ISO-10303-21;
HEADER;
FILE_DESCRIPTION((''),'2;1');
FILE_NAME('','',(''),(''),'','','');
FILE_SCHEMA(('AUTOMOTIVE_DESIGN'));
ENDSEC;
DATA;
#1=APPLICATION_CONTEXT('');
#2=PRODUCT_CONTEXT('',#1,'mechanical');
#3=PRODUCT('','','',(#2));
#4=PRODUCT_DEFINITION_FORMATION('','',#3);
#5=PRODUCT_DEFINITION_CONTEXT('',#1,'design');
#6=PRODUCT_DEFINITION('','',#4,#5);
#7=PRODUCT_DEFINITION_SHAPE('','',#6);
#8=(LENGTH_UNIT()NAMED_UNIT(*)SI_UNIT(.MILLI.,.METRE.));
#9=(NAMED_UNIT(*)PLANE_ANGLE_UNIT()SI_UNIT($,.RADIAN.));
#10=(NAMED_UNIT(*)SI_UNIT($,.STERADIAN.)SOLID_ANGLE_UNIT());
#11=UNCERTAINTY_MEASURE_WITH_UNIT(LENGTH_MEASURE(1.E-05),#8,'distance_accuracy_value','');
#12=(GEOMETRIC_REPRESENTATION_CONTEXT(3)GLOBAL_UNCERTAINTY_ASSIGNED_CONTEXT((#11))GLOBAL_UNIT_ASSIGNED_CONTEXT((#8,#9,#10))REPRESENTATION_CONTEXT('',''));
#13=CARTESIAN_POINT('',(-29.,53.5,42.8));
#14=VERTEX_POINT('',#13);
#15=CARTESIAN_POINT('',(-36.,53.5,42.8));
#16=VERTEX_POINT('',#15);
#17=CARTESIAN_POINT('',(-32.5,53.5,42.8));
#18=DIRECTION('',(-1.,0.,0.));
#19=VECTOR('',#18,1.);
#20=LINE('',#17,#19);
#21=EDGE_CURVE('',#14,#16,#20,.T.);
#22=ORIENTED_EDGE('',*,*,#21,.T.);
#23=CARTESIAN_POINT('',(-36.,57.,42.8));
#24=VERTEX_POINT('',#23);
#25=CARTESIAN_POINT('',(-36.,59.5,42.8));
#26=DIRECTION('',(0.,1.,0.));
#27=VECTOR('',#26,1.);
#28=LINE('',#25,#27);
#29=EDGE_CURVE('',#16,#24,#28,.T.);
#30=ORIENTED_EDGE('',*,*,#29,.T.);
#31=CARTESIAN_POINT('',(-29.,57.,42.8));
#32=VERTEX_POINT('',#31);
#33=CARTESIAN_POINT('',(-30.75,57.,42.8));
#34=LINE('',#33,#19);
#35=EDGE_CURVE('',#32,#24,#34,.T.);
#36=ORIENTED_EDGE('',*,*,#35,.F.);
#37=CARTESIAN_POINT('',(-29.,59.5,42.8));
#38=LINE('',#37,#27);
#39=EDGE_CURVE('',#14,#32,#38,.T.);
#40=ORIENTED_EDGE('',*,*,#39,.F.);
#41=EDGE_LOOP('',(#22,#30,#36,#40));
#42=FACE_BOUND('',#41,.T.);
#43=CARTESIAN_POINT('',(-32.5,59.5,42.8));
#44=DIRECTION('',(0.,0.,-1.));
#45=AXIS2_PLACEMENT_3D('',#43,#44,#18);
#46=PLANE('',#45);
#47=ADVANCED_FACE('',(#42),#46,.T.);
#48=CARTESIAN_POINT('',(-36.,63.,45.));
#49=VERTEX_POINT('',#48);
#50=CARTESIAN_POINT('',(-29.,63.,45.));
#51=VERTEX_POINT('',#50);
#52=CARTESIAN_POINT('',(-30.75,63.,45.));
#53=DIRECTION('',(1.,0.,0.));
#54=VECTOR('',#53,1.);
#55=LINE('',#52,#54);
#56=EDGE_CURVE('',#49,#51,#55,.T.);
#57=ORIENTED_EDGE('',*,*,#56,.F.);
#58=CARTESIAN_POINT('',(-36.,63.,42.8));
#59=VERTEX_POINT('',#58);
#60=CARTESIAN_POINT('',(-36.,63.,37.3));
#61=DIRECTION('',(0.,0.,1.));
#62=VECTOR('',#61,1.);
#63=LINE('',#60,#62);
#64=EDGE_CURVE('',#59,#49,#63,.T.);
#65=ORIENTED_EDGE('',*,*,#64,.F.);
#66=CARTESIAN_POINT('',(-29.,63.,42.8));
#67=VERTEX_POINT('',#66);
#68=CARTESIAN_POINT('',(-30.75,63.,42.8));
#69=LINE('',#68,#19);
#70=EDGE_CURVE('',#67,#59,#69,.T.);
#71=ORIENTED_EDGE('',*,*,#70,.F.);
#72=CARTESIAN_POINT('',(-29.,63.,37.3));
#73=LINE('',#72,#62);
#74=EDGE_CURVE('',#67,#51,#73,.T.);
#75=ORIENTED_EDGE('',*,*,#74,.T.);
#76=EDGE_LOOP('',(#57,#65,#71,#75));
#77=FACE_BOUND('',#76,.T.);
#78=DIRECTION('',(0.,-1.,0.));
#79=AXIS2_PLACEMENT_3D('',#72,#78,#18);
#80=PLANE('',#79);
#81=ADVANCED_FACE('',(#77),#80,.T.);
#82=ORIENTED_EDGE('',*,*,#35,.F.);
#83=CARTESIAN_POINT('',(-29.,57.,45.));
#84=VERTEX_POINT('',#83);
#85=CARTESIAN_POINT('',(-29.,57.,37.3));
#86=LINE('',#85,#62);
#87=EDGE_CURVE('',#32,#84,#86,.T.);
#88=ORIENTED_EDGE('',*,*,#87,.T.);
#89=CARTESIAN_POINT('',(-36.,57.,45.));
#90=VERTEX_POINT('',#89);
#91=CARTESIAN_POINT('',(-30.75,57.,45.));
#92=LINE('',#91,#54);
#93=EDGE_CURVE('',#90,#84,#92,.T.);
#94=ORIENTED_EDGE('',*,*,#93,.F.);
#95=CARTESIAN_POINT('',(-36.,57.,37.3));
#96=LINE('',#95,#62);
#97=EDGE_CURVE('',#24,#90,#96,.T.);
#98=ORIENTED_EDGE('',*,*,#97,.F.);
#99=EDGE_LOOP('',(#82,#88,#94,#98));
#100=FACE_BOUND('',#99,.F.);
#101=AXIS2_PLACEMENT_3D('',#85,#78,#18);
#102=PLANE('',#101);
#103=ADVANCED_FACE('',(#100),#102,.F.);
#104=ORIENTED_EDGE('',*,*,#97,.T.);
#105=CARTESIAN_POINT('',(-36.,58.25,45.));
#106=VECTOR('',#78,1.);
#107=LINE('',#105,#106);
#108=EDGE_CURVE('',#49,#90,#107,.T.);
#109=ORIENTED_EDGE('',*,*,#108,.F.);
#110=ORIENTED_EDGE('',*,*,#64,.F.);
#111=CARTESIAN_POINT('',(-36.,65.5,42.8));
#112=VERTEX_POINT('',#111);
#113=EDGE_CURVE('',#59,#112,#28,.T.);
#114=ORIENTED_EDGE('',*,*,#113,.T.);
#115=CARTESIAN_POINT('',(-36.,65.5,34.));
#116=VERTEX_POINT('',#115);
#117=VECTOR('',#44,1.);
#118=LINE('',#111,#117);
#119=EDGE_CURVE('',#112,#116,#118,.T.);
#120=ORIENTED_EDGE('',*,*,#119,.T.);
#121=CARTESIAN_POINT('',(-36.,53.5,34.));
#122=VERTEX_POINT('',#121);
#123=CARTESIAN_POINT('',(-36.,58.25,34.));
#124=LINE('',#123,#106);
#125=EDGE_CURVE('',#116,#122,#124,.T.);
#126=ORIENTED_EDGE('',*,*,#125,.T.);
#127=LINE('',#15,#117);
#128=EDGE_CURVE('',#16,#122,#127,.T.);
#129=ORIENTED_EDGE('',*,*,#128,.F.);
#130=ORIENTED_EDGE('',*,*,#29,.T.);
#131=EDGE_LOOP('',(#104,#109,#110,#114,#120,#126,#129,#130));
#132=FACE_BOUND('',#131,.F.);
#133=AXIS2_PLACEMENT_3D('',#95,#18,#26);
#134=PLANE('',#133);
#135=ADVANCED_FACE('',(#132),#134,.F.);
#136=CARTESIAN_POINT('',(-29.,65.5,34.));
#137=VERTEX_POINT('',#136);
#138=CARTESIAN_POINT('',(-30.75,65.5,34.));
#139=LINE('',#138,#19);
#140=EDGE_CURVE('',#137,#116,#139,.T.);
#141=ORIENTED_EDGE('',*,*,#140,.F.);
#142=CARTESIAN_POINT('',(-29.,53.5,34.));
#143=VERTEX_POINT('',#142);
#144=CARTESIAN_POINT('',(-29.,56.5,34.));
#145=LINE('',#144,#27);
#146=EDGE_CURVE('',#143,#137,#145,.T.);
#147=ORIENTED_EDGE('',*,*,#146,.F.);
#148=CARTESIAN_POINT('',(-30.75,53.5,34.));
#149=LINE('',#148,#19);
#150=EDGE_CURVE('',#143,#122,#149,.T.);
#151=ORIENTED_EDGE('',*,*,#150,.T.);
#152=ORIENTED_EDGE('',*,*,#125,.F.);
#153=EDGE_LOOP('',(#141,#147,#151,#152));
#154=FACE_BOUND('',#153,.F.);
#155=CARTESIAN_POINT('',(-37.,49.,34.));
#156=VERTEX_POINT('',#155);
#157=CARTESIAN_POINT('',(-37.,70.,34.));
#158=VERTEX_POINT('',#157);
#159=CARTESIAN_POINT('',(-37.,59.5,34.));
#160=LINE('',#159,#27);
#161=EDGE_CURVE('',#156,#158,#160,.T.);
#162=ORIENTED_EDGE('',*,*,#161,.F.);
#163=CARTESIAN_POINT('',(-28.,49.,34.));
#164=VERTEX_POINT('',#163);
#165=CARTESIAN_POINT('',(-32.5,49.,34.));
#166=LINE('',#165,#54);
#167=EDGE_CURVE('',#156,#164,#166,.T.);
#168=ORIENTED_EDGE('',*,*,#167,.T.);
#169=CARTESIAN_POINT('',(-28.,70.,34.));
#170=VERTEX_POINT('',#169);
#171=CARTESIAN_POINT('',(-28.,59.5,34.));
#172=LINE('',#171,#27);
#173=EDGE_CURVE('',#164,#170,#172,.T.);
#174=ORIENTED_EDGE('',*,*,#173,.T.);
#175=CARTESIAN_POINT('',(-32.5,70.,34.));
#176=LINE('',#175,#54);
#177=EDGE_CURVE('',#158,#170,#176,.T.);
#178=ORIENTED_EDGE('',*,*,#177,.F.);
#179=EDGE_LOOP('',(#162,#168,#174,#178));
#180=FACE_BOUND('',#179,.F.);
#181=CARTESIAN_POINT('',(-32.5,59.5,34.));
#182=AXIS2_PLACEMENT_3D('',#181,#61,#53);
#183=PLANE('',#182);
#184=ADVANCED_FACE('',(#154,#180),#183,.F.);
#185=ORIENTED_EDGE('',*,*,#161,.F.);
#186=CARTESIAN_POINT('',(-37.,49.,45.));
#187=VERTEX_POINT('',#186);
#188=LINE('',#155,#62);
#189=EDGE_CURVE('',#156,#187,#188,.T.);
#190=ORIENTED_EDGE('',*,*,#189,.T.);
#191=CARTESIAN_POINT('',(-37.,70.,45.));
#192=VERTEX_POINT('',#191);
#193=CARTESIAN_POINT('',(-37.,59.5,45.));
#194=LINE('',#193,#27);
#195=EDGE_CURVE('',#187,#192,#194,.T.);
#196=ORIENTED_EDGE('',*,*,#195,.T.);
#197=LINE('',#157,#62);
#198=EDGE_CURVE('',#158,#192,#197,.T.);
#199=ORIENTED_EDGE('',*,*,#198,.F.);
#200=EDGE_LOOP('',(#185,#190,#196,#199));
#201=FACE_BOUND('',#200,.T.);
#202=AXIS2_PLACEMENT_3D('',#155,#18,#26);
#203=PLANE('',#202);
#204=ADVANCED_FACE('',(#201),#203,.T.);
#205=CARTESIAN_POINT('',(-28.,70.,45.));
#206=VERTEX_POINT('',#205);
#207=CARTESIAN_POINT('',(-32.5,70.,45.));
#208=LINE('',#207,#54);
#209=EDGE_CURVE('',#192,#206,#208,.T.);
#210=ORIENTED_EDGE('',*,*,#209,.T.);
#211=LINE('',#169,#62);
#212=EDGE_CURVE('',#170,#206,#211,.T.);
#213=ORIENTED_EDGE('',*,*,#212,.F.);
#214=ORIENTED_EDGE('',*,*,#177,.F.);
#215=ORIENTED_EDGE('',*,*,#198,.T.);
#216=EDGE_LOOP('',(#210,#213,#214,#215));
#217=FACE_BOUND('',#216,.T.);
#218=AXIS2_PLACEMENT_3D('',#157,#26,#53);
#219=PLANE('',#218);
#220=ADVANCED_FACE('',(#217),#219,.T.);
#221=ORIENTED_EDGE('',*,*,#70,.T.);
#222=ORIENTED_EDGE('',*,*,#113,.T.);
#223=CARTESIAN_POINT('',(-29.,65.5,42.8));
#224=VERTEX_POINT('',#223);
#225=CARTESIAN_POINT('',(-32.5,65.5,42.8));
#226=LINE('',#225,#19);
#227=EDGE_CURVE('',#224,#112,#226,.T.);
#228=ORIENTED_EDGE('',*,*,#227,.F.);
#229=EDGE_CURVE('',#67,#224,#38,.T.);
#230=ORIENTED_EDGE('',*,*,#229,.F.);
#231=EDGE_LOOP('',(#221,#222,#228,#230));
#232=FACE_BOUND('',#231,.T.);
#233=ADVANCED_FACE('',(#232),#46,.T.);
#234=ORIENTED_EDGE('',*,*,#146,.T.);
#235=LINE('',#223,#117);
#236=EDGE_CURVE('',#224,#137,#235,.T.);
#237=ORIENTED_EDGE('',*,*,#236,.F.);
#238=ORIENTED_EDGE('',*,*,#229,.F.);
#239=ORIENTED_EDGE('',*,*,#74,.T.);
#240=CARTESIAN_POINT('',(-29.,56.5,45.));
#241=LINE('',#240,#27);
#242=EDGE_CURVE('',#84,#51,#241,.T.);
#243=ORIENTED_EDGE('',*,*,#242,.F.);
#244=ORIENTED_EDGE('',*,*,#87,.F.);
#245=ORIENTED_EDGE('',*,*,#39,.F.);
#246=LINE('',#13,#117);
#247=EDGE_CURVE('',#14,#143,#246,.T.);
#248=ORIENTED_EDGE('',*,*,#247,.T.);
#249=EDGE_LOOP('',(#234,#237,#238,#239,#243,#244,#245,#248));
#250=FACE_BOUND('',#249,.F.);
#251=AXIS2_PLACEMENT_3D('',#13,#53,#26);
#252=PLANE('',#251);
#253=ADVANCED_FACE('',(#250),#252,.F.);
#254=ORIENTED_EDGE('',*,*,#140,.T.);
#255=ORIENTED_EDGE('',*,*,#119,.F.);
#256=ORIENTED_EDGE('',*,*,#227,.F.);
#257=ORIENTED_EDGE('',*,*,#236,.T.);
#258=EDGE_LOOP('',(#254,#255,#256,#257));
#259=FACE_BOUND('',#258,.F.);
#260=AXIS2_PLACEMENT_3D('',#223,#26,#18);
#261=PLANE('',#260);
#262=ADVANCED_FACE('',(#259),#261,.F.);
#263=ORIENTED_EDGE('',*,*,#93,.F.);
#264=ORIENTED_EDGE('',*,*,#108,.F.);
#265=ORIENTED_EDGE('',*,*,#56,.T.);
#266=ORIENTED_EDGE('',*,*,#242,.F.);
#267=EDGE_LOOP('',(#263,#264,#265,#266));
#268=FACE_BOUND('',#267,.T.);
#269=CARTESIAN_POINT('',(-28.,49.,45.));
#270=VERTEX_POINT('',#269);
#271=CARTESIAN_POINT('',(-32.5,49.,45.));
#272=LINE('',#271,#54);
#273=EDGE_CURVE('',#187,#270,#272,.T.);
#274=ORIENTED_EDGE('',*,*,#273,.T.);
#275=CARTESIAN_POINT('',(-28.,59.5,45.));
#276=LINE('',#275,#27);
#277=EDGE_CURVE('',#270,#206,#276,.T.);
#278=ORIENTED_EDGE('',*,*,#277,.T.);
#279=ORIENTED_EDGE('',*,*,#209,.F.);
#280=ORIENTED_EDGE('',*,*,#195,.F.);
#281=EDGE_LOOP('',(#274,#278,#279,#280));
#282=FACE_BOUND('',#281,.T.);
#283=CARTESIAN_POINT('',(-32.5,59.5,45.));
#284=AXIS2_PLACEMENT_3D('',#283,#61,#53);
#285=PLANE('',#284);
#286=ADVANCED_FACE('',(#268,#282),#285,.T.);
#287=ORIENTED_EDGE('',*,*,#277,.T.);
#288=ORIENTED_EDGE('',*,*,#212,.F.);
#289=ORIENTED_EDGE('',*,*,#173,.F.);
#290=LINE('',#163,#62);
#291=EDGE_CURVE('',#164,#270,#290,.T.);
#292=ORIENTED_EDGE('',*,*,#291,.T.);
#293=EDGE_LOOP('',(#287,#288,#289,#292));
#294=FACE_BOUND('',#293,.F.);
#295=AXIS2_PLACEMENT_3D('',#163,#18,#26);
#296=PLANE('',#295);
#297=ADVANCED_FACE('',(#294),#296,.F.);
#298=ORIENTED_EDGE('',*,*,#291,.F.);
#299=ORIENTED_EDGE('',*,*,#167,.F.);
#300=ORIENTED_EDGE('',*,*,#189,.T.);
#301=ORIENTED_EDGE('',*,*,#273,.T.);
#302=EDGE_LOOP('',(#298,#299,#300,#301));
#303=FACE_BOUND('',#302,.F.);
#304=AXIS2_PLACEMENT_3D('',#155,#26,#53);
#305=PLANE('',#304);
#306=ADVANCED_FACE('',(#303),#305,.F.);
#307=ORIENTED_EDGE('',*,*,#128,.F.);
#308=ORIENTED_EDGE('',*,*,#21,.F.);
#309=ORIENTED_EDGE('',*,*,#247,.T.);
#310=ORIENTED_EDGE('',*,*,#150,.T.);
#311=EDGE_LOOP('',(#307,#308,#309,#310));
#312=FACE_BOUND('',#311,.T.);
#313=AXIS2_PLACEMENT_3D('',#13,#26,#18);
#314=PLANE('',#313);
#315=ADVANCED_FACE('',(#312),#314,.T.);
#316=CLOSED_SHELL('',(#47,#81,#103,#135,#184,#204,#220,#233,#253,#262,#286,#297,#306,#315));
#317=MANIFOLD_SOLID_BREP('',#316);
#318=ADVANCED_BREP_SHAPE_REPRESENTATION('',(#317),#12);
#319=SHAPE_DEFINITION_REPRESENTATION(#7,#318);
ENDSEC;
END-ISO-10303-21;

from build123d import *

# Parameters (mm, degrees)
BOX049_W                     = 6
BOX049_H                     = 7
BOX049_DEPTH                 = 8
BOX048_W                     = 7
BOX048_H                     = 12
BOX048_DEPTH                 = 10
CHAMFER001_SIZE              = 1
CHAMFER001_PLACEMENT_ANGLE   = 90
FUSION002028_PLACEMENT_ANGLE = 90
BOX047_W                     = 9
BOX047_H                     = 21
BOX047_DEPTH                 = 11


with BuildPart() as cubo049:
    # Box049 → Box049 (new body)
    with BuildSketch(Plane(origin=(-9.5, -15, 2.5), x_dir=(1, 0, 0), z_dir=(0, 0, 1))):
        with Locations((3, 3.5)):
            Rectangle(BOX049_W, BOX049_H)
    extrude(amount=BOX049_DEPTH)


with BuildPart() as fusion002028:
    # Box048 → Box048 (new body)
    with BuildSketch(Plane(origin=(-13, -7, 7.5), x_dir=(1, 0, 0), z_dir=(0, 0, -1))):
        with Locations((3.5, 6)):
            Rectangle(BOX048_W, BOX048_H)
    extrude(amount=BOX048_DEPTH)

    # Chamfer001
    chamfer001_edges = [fusion002028.edges().sort_by_distance(p)[0] for p in [
        (-13, -13, -2.5),
    ]]
    chamfer(chamfer001_edges, length=CHAMFER001_SIZE)


with BuildPart() as fusion002028_1:
    # Chamfer001 placement: moved
    add(fusion002028.part.moved(Location((-20, -2, 0.5))).rotate(Axis((-20, -2, 0.5), (0, 0, 1)), CHAMFER001_PLACEMENT_ANGLE))

    # Fusion002028: union Cubo049
    add(cubo049.part)


with BuildPart() as fusion002028_2:
    # Fusion002028 placement: moved
    add(fusion002028_1.part.moved(Location((-44, 66.5, 34.8))).rotate(Axis((-44, 66.5, 34.8), (0, 0, 1)), FUSION002028_PLACEMENT_ANGLE))


with BuildPart() as cut072:
    # Box047 → Box047 (new body)
    with BuildSketch(Plane(origin=(-37, 49, 34), x_dir=(1, 0, 0), z_dir=(0, 0, 1))):
        with Locations((4.5, 10.5)):
            Rectangle(BOX047_W, BOX047_H)
    extrude(amount=BOX047_DEPTH)

    # Cut072: cut Fusion002028
    add(fusion002028_2.part, mode=Mode.SUBTRACT)


solid = cut072.part
